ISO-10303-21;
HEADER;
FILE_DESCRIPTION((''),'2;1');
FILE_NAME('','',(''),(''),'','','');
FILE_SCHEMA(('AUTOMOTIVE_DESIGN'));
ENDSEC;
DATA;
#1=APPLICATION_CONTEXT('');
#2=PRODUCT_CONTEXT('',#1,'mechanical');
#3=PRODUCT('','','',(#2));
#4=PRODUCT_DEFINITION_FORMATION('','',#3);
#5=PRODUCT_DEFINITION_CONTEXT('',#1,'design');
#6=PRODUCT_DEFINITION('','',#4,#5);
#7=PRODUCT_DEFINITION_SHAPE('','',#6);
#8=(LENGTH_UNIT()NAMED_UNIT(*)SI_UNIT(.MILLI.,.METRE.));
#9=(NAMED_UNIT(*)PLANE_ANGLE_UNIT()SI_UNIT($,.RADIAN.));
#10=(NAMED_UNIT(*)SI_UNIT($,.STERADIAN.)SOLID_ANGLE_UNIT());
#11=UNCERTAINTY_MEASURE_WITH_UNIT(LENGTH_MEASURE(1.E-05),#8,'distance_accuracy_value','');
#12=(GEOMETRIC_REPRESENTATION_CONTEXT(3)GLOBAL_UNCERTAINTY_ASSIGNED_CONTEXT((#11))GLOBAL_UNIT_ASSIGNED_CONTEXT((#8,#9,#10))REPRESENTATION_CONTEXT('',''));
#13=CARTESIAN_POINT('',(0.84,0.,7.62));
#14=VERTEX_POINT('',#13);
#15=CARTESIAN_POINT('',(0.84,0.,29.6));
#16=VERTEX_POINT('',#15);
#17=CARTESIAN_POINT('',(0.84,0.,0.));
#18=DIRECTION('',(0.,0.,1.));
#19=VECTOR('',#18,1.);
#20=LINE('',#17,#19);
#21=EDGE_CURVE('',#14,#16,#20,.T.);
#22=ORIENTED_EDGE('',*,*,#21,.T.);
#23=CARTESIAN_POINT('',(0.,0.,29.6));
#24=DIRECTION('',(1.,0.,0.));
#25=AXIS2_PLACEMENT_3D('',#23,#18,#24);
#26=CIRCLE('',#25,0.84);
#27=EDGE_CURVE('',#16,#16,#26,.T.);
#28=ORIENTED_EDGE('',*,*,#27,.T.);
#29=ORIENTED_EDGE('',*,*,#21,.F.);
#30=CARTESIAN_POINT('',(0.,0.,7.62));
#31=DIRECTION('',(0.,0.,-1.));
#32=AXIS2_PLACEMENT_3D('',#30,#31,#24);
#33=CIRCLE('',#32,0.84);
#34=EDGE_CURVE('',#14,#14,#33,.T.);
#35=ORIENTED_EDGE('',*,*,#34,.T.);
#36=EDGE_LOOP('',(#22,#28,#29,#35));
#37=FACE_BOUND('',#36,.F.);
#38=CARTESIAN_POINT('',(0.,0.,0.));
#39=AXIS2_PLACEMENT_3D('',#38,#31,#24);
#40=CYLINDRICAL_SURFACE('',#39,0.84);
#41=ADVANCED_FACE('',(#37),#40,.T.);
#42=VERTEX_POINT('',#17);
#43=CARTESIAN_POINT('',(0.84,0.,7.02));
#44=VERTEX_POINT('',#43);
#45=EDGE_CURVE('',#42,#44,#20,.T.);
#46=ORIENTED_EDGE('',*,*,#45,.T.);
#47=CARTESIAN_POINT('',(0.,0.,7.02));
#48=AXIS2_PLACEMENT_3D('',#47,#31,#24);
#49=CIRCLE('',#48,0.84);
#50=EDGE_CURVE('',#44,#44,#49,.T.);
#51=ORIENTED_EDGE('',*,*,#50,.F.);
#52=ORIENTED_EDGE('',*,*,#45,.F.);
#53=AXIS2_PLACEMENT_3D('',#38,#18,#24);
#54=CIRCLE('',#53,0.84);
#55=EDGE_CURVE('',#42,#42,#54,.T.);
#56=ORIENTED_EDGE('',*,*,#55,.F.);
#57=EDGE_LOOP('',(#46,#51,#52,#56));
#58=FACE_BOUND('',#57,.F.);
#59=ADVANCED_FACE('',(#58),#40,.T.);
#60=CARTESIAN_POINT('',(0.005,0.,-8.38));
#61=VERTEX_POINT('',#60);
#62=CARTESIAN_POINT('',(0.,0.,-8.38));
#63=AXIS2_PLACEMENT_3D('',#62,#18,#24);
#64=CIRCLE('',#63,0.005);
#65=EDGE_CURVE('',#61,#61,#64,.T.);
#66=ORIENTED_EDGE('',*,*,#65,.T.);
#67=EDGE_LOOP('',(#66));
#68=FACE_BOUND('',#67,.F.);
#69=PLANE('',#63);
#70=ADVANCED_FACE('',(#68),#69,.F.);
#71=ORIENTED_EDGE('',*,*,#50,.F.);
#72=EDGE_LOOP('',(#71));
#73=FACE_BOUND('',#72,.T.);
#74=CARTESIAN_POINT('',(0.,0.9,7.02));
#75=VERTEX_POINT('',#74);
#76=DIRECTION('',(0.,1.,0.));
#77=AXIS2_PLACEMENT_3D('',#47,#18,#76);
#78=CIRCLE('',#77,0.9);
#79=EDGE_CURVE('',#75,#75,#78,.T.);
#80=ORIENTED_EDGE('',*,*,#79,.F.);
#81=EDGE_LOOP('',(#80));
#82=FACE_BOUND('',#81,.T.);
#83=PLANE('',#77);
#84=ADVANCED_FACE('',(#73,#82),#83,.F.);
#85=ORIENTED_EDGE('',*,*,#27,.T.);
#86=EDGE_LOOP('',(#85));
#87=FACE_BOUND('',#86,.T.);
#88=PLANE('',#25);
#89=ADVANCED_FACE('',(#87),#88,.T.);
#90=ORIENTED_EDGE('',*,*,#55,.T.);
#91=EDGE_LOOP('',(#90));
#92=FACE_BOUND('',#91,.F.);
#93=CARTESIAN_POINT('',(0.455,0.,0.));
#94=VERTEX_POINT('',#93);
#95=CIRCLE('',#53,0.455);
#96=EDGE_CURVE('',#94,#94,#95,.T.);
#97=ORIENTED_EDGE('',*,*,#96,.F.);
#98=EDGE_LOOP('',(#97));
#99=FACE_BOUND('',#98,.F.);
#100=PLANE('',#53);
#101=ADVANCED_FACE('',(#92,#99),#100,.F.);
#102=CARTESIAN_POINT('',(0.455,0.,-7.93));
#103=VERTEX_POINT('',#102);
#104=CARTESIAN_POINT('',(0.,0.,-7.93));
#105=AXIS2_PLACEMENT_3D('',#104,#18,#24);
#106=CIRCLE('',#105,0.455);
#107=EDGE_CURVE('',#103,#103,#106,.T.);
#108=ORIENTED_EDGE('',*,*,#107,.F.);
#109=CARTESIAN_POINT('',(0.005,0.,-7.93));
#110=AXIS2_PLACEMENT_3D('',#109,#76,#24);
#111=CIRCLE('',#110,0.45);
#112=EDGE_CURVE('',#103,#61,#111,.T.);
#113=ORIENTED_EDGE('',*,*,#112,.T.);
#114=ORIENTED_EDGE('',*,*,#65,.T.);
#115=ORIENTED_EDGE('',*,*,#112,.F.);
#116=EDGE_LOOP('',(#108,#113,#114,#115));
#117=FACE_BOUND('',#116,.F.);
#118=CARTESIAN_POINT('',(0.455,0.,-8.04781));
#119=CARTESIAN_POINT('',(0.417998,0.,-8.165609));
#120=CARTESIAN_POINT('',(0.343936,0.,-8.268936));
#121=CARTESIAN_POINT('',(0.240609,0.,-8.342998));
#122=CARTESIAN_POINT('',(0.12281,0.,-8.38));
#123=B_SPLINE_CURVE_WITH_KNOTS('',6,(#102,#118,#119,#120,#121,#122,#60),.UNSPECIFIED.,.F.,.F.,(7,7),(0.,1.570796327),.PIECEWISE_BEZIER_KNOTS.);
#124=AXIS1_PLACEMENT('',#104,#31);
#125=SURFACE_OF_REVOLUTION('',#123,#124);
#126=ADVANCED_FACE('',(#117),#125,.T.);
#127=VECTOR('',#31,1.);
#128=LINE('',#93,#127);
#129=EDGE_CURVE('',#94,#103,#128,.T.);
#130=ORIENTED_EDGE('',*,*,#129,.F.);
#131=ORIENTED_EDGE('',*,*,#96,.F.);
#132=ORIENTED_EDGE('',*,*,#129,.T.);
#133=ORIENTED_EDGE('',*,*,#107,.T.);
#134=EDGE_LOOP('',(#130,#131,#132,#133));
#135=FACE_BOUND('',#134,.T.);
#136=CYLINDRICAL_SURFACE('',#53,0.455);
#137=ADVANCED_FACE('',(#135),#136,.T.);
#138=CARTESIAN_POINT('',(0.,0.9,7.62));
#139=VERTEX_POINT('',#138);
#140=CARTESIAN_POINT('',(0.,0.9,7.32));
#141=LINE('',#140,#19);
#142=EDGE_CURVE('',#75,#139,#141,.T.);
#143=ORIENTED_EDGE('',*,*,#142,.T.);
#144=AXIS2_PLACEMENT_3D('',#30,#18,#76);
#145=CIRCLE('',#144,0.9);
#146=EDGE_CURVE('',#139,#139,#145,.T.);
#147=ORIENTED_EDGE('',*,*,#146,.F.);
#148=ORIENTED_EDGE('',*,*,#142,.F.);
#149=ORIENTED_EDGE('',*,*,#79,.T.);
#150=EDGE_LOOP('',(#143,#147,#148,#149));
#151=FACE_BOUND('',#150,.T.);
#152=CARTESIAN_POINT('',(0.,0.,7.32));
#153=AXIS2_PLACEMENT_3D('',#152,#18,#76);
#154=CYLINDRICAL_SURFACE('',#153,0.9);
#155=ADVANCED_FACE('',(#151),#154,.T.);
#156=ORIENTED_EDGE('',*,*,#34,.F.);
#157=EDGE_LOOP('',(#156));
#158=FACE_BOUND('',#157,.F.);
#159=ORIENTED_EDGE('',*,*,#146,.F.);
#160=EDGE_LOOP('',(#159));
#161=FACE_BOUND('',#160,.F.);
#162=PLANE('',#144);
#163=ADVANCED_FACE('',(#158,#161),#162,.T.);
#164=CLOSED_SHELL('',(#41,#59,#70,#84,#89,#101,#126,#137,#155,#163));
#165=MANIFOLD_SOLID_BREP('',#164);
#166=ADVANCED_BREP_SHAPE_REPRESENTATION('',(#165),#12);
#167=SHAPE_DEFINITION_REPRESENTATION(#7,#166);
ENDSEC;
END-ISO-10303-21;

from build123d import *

# Parameters (mm, degrees)
F0_R     = 0.84
F1_DEPTH = 29.6
F2_W     = 0.9
F2_H     = 0.6
F4_R     = 0.455
F5_DEPTH = 8.38
F6_R     = 0.45


with BuildPart() as f1:
    # F0 (on Top) → F1 (new body)
    with BuildSketch(Plane.XY):
        Circle(F0_R)
    extrude(amount=F1_DEPTH)

    # F2 (on Right) → F3 (revolve)
    with BuildSketch(Plane.YZ):
        with Locations((0.45, 7.32)):
            Rectangle(F2_W, F2_H)
    revolve(axis=Axis((0, 0, 7.32), (0, 0, 1)))

    # F4 (on Top) → F5 (join)
    with BuildSketch(Plane.XY):
        Circle(F4_R)
    extrude(amount=-F5_DEPTH)

    # F6
    f6_edges = [f1.edges().sort_by_distance(p)[0] for p in [
        (-0.455, 0, -8.38),
    ]]
    fillet(f6_edges, radius=F6_R)


solid = f1.part
